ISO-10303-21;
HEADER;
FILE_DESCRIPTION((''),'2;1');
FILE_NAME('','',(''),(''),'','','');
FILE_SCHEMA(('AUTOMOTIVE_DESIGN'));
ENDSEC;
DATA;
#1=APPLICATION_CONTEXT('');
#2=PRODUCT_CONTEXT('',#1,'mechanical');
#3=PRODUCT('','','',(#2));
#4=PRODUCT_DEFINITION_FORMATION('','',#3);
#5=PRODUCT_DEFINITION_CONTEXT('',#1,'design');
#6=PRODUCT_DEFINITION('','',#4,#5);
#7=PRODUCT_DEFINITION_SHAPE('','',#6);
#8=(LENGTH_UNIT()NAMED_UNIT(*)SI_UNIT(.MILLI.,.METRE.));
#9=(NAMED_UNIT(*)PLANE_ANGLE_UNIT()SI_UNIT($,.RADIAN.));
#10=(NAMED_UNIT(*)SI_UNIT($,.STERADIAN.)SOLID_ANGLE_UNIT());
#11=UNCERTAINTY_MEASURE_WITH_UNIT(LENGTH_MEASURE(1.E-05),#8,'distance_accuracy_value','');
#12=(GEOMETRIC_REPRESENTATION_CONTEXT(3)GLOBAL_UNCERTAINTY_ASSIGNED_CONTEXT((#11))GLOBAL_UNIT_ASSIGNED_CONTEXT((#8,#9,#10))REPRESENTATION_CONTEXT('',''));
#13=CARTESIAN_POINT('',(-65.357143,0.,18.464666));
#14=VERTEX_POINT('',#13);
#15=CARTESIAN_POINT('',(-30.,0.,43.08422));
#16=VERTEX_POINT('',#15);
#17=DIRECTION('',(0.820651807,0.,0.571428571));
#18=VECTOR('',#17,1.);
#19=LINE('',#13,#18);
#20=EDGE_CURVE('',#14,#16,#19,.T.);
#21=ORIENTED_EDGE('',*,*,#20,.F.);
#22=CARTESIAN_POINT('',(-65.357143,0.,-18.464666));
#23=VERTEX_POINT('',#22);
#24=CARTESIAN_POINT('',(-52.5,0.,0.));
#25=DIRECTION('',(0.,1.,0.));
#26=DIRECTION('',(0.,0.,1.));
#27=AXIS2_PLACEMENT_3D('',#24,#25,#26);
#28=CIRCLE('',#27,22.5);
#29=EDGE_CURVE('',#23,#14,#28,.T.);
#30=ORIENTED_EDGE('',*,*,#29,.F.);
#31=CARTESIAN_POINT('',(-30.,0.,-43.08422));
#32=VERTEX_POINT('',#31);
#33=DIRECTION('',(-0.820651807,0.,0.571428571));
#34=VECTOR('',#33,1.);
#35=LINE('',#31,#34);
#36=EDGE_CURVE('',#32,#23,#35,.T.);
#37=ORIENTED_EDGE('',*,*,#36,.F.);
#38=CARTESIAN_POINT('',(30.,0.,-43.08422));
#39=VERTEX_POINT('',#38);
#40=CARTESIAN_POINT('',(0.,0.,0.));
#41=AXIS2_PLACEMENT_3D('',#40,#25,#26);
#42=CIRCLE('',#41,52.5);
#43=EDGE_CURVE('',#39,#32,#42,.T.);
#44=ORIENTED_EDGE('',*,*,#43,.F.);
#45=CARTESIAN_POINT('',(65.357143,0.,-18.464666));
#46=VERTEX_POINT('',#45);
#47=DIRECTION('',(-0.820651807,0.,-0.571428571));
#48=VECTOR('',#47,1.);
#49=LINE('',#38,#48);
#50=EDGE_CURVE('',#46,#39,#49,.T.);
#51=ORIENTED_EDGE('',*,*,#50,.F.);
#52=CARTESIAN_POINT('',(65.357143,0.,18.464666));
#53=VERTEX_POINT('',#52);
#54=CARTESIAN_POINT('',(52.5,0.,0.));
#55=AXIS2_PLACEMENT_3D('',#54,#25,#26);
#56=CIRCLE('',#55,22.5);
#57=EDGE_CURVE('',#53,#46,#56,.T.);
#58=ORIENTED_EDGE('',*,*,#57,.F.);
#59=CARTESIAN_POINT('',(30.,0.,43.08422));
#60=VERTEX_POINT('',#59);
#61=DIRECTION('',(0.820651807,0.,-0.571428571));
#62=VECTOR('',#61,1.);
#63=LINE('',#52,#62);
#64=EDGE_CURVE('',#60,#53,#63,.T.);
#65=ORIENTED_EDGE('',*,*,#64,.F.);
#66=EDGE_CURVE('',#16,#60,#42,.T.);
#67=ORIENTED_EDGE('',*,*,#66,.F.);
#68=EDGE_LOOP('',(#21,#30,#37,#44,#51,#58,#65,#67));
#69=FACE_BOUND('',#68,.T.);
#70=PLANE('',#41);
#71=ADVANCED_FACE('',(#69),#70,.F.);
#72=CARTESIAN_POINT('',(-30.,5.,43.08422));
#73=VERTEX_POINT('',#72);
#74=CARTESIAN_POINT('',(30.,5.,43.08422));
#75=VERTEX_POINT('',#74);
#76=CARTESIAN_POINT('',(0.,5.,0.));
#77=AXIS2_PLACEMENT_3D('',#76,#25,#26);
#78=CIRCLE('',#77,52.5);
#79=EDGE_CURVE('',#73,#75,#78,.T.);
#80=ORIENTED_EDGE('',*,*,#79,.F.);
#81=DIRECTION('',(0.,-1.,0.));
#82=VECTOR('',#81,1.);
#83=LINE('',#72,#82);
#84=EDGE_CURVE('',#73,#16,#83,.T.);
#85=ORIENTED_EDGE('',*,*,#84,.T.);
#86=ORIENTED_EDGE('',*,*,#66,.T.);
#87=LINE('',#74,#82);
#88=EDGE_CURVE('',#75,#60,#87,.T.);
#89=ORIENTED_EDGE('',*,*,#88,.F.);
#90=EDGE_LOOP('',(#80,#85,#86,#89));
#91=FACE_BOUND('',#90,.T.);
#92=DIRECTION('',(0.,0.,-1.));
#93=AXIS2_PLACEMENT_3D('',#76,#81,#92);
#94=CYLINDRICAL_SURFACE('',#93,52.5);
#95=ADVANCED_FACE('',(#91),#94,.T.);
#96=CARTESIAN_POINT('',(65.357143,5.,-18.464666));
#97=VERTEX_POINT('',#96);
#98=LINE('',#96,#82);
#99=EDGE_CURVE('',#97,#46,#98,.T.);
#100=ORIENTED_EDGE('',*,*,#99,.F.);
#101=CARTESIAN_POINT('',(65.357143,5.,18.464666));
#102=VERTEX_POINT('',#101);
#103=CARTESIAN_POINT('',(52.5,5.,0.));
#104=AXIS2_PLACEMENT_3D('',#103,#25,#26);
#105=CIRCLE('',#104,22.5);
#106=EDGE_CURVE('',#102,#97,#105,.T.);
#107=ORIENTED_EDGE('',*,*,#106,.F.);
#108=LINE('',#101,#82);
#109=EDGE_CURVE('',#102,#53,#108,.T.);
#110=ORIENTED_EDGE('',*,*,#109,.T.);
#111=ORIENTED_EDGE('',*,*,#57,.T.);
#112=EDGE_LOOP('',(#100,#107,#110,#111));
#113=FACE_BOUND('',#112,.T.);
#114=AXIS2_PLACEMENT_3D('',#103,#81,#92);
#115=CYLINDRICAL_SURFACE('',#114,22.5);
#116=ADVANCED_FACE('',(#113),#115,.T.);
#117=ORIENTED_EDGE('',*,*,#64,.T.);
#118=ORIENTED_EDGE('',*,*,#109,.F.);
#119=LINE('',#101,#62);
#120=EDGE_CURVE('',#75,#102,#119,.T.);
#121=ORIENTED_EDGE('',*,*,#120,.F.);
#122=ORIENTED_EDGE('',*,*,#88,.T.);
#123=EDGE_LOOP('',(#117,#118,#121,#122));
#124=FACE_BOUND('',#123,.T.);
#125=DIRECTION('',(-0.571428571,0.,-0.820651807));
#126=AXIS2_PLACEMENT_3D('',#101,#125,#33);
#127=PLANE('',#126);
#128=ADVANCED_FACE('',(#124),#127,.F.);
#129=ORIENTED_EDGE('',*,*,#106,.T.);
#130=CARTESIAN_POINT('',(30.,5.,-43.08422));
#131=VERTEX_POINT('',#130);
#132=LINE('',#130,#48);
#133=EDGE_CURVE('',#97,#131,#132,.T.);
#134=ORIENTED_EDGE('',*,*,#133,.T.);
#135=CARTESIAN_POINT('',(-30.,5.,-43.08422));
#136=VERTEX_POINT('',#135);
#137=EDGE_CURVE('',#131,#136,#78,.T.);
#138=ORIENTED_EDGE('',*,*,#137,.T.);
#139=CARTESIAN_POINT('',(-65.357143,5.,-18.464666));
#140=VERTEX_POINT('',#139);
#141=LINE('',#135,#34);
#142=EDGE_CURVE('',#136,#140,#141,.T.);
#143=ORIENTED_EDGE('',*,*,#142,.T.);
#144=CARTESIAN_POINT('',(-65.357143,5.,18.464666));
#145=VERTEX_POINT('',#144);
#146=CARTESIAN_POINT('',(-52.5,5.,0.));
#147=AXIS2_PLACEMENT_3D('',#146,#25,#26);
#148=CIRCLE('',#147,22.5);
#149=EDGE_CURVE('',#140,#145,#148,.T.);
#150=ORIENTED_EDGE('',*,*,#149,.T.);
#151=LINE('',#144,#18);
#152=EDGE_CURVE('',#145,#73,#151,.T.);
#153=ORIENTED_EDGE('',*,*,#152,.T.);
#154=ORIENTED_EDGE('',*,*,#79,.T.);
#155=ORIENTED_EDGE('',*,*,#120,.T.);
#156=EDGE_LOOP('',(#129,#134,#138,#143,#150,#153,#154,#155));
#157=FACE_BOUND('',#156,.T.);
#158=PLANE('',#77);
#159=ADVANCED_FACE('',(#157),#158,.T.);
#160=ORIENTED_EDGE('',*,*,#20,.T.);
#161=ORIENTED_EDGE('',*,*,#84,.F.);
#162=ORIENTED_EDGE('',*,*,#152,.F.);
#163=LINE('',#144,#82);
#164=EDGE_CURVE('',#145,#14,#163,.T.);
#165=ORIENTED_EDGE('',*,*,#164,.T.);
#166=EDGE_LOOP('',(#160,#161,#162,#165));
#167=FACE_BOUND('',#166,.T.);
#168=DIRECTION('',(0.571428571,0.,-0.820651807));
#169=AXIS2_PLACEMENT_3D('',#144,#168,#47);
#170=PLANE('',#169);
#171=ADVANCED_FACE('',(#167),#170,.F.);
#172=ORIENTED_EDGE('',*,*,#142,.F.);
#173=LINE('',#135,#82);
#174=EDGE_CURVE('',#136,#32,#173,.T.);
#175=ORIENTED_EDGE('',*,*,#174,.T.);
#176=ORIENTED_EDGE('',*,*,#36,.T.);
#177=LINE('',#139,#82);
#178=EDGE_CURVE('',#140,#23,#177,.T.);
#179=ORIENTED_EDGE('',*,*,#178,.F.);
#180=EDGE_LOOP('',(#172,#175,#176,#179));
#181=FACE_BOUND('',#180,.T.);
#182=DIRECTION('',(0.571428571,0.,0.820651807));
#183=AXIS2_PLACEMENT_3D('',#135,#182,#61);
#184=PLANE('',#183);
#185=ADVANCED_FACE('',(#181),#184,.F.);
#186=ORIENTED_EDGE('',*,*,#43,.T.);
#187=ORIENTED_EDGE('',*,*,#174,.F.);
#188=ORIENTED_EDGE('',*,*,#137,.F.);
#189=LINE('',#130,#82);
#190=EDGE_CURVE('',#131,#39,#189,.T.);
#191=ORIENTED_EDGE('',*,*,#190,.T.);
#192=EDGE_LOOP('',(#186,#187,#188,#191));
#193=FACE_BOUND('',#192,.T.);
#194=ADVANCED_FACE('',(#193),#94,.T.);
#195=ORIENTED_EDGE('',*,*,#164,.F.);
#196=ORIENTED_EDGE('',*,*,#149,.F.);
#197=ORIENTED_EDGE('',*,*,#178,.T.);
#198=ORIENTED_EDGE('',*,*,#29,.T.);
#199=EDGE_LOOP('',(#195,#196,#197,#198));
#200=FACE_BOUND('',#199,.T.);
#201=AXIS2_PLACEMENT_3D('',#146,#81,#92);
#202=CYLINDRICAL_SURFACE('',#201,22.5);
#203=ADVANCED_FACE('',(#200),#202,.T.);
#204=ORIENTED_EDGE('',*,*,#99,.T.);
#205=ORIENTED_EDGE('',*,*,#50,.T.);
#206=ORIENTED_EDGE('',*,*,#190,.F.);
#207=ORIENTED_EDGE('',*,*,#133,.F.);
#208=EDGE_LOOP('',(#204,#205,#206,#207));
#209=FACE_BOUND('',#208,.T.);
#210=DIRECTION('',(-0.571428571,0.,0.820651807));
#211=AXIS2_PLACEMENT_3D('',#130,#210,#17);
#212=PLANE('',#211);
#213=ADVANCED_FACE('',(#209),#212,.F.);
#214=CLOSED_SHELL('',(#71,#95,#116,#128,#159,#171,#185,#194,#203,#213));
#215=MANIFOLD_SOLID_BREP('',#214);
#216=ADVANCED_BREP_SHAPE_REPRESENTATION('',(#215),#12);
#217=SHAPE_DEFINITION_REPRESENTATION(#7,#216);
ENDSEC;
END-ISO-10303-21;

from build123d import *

# Parameters (mm, degrees)
BOSS_EXTRUDE1_DEPTH = 5


with BuildPart() as part:
    # Sketch1 → Boss-Extrude1 (new body)
    with BuildSketch(Plane(origin=(0, 0, 0), x_dir=(1, 0, 0), z_dir=(0, 1, 0))):
        with BuildLine():
            Line((-30, 43.084219849), (-65.357142857, 18.46466565))
            ThreePointArc((-65.357142857, 18.46466565), (-75, 0), (-65.357142857, -18.46466565))
            Line((-65.357142857, -18.46466565), (-30, -43.084219849))
            ThreePointArc((-30, -43.084219849), (0, -52.5), (30, -43.084219849))
            Line((30, -43.084219849), (65.357142857, -18.46466565))
            ThreePointArc((65.357142857, -18.46466565), (75, 0), (65.357142857, 18.46466565))
            Line((65.357142857, 18.46466565), (30, 43.084219849))
            ThreePointArc((30, 43.084219849), (0, 52.5), (-30, 43.084219849))
        make_face()
    extrude(amount=BOSS_EXTRUDE1_DEPTH)


solid = part.part
